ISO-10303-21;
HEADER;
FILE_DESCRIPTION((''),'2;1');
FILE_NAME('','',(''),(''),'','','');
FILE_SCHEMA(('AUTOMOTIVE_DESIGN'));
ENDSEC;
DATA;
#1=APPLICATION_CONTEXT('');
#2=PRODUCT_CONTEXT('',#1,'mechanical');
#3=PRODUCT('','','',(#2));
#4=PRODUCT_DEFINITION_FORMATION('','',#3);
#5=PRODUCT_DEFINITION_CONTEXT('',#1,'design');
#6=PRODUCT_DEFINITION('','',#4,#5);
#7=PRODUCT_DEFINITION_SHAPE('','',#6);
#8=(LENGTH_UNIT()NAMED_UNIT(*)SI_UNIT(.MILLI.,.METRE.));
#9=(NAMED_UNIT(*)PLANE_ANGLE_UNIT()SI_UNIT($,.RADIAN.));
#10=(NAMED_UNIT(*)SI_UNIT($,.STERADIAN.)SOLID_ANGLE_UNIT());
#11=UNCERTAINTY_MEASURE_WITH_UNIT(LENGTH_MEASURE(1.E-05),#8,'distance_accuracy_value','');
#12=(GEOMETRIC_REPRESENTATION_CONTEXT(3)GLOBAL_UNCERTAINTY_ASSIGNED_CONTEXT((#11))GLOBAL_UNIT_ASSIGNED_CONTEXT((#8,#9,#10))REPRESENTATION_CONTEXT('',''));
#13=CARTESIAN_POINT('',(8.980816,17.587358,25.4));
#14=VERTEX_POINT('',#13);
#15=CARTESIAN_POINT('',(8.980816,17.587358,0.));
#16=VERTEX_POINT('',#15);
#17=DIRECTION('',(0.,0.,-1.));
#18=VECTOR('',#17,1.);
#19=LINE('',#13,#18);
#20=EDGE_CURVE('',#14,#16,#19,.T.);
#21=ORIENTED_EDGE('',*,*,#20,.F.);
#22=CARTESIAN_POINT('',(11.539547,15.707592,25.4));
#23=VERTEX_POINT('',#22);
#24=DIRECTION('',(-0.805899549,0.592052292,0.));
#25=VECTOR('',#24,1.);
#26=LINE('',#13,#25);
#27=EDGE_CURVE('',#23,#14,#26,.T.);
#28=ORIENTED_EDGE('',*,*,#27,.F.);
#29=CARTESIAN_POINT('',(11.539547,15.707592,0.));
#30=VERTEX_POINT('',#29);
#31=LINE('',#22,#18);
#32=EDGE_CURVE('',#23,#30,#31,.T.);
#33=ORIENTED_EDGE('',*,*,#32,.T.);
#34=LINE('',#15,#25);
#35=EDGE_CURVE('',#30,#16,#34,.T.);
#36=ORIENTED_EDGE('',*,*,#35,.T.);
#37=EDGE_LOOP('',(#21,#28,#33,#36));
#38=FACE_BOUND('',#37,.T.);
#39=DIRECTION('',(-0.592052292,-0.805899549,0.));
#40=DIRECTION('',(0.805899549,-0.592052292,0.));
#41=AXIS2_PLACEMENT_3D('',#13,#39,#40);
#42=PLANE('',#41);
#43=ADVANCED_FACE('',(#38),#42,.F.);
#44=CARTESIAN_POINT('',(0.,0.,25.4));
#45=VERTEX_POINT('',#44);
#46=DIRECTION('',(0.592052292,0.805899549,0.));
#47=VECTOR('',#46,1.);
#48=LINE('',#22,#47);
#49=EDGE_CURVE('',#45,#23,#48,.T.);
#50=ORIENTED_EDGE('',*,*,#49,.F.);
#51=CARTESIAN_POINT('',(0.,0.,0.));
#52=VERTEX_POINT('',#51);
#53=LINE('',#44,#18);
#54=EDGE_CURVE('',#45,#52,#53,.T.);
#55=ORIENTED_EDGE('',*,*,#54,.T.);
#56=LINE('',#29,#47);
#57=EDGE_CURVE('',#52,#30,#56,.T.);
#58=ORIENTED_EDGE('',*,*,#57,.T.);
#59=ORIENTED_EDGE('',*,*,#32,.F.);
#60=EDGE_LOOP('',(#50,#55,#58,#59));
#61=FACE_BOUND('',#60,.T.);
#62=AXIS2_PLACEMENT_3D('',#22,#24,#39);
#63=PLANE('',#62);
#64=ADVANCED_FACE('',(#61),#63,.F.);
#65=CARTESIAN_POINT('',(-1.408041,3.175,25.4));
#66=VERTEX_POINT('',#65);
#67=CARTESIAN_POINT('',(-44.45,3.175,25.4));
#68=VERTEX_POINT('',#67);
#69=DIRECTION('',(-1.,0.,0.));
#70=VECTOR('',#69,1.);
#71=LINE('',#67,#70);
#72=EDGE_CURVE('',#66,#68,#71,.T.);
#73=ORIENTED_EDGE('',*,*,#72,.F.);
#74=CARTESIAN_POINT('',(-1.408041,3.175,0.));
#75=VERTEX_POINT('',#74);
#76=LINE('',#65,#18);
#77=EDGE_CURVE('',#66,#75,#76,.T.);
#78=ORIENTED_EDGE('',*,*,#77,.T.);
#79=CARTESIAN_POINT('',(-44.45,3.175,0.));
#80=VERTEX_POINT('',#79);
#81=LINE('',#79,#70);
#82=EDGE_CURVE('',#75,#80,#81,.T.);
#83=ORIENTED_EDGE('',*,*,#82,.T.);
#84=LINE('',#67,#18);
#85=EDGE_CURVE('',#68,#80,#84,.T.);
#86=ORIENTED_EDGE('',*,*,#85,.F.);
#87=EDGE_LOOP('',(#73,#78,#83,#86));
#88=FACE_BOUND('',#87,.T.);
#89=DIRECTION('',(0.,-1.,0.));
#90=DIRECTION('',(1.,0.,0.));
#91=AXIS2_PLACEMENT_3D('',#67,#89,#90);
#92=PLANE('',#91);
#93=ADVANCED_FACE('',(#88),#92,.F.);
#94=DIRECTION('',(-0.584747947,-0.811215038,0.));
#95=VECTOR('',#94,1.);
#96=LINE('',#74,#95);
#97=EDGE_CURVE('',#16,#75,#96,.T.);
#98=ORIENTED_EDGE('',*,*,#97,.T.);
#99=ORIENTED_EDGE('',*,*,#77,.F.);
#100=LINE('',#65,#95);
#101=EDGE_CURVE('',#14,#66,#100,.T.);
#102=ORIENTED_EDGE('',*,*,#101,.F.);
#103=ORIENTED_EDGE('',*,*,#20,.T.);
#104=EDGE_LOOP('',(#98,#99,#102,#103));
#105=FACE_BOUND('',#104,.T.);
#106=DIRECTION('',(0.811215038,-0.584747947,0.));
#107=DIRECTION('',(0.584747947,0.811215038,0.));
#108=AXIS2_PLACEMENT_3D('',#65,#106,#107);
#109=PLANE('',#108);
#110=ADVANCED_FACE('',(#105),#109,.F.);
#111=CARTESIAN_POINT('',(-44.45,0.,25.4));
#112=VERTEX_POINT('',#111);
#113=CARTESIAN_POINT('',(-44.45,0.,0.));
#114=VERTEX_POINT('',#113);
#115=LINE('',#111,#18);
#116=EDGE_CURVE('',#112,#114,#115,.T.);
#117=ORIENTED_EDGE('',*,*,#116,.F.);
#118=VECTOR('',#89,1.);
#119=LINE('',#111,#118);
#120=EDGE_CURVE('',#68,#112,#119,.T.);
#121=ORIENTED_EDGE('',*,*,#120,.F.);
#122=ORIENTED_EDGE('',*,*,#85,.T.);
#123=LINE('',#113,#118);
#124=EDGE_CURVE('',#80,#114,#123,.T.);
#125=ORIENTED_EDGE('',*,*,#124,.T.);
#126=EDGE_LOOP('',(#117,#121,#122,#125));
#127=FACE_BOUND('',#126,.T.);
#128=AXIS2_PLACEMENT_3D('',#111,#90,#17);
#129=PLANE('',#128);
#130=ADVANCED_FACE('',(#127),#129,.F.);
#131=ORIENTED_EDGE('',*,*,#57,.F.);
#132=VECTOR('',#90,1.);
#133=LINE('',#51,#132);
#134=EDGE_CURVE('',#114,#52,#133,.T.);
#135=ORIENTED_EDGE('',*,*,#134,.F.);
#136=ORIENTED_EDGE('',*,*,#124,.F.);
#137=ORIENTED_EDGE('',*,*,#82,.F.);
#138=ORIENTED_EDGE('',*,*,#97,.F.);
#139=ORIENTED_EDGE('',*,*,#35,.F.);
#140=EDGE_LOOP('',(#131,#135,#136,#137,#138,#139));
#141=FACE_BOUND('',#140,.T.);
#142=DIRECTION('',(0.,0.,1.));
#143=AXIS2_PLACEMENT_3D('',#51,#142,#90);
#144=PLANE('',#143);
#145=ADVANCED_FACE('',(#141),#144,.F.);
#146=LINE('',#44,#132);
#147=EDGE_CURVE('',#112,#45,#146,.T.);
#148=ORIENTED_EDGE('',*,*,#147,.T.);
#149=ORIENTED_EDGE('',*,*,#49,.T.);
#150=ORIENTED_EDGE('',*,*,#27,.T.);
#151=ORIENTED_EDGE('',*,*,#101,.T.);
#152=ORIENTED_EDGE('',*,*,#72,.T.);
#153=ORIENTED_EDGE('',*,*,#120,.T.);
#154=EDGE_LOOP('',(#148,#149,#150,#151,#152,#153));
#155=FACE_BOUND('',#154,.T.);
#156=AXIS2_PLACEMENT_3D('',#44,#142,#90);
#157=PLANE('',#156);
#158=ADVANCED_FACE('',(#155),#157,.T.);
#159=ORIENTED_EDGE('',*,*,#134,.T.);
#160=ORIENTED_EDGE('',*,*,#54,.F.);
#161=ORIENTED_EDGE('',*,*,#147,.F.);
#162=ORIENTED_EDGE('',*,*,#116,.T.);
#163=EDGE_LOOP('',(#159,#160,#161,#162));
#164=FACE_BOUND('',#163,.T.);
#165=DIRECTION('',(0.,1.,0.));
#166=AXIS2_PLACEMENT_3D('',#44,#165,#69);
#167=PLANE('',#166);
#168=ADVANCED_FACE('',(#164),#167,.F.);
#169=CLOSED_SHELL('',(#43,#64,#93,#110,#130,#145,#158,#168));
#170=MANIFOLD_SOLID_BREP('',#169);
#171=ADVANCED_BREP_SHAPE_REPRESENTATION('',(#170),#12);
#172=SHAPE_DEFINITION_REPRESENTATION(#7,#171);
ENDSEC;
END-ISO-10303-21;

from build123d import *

# Parameters (mm, degrees)
BOSS_EXTRUDE1_DEPTH = 25.4


with BuildPart() as part:
    # Sketch1 → Boss-Extrude1 (new body)
    with BuildSketch(Plane.XY):
        Polygon((0, 0), (-44.45, 0), (-44.45, 3.175), (-1.408040596, 3.175), (8.980816396, 17.587358464), (11.539547466, 15.707592438), align=None)
    extrude(amount=BOSS_EXTRUDE1_DEPTH)


solid = part.part
